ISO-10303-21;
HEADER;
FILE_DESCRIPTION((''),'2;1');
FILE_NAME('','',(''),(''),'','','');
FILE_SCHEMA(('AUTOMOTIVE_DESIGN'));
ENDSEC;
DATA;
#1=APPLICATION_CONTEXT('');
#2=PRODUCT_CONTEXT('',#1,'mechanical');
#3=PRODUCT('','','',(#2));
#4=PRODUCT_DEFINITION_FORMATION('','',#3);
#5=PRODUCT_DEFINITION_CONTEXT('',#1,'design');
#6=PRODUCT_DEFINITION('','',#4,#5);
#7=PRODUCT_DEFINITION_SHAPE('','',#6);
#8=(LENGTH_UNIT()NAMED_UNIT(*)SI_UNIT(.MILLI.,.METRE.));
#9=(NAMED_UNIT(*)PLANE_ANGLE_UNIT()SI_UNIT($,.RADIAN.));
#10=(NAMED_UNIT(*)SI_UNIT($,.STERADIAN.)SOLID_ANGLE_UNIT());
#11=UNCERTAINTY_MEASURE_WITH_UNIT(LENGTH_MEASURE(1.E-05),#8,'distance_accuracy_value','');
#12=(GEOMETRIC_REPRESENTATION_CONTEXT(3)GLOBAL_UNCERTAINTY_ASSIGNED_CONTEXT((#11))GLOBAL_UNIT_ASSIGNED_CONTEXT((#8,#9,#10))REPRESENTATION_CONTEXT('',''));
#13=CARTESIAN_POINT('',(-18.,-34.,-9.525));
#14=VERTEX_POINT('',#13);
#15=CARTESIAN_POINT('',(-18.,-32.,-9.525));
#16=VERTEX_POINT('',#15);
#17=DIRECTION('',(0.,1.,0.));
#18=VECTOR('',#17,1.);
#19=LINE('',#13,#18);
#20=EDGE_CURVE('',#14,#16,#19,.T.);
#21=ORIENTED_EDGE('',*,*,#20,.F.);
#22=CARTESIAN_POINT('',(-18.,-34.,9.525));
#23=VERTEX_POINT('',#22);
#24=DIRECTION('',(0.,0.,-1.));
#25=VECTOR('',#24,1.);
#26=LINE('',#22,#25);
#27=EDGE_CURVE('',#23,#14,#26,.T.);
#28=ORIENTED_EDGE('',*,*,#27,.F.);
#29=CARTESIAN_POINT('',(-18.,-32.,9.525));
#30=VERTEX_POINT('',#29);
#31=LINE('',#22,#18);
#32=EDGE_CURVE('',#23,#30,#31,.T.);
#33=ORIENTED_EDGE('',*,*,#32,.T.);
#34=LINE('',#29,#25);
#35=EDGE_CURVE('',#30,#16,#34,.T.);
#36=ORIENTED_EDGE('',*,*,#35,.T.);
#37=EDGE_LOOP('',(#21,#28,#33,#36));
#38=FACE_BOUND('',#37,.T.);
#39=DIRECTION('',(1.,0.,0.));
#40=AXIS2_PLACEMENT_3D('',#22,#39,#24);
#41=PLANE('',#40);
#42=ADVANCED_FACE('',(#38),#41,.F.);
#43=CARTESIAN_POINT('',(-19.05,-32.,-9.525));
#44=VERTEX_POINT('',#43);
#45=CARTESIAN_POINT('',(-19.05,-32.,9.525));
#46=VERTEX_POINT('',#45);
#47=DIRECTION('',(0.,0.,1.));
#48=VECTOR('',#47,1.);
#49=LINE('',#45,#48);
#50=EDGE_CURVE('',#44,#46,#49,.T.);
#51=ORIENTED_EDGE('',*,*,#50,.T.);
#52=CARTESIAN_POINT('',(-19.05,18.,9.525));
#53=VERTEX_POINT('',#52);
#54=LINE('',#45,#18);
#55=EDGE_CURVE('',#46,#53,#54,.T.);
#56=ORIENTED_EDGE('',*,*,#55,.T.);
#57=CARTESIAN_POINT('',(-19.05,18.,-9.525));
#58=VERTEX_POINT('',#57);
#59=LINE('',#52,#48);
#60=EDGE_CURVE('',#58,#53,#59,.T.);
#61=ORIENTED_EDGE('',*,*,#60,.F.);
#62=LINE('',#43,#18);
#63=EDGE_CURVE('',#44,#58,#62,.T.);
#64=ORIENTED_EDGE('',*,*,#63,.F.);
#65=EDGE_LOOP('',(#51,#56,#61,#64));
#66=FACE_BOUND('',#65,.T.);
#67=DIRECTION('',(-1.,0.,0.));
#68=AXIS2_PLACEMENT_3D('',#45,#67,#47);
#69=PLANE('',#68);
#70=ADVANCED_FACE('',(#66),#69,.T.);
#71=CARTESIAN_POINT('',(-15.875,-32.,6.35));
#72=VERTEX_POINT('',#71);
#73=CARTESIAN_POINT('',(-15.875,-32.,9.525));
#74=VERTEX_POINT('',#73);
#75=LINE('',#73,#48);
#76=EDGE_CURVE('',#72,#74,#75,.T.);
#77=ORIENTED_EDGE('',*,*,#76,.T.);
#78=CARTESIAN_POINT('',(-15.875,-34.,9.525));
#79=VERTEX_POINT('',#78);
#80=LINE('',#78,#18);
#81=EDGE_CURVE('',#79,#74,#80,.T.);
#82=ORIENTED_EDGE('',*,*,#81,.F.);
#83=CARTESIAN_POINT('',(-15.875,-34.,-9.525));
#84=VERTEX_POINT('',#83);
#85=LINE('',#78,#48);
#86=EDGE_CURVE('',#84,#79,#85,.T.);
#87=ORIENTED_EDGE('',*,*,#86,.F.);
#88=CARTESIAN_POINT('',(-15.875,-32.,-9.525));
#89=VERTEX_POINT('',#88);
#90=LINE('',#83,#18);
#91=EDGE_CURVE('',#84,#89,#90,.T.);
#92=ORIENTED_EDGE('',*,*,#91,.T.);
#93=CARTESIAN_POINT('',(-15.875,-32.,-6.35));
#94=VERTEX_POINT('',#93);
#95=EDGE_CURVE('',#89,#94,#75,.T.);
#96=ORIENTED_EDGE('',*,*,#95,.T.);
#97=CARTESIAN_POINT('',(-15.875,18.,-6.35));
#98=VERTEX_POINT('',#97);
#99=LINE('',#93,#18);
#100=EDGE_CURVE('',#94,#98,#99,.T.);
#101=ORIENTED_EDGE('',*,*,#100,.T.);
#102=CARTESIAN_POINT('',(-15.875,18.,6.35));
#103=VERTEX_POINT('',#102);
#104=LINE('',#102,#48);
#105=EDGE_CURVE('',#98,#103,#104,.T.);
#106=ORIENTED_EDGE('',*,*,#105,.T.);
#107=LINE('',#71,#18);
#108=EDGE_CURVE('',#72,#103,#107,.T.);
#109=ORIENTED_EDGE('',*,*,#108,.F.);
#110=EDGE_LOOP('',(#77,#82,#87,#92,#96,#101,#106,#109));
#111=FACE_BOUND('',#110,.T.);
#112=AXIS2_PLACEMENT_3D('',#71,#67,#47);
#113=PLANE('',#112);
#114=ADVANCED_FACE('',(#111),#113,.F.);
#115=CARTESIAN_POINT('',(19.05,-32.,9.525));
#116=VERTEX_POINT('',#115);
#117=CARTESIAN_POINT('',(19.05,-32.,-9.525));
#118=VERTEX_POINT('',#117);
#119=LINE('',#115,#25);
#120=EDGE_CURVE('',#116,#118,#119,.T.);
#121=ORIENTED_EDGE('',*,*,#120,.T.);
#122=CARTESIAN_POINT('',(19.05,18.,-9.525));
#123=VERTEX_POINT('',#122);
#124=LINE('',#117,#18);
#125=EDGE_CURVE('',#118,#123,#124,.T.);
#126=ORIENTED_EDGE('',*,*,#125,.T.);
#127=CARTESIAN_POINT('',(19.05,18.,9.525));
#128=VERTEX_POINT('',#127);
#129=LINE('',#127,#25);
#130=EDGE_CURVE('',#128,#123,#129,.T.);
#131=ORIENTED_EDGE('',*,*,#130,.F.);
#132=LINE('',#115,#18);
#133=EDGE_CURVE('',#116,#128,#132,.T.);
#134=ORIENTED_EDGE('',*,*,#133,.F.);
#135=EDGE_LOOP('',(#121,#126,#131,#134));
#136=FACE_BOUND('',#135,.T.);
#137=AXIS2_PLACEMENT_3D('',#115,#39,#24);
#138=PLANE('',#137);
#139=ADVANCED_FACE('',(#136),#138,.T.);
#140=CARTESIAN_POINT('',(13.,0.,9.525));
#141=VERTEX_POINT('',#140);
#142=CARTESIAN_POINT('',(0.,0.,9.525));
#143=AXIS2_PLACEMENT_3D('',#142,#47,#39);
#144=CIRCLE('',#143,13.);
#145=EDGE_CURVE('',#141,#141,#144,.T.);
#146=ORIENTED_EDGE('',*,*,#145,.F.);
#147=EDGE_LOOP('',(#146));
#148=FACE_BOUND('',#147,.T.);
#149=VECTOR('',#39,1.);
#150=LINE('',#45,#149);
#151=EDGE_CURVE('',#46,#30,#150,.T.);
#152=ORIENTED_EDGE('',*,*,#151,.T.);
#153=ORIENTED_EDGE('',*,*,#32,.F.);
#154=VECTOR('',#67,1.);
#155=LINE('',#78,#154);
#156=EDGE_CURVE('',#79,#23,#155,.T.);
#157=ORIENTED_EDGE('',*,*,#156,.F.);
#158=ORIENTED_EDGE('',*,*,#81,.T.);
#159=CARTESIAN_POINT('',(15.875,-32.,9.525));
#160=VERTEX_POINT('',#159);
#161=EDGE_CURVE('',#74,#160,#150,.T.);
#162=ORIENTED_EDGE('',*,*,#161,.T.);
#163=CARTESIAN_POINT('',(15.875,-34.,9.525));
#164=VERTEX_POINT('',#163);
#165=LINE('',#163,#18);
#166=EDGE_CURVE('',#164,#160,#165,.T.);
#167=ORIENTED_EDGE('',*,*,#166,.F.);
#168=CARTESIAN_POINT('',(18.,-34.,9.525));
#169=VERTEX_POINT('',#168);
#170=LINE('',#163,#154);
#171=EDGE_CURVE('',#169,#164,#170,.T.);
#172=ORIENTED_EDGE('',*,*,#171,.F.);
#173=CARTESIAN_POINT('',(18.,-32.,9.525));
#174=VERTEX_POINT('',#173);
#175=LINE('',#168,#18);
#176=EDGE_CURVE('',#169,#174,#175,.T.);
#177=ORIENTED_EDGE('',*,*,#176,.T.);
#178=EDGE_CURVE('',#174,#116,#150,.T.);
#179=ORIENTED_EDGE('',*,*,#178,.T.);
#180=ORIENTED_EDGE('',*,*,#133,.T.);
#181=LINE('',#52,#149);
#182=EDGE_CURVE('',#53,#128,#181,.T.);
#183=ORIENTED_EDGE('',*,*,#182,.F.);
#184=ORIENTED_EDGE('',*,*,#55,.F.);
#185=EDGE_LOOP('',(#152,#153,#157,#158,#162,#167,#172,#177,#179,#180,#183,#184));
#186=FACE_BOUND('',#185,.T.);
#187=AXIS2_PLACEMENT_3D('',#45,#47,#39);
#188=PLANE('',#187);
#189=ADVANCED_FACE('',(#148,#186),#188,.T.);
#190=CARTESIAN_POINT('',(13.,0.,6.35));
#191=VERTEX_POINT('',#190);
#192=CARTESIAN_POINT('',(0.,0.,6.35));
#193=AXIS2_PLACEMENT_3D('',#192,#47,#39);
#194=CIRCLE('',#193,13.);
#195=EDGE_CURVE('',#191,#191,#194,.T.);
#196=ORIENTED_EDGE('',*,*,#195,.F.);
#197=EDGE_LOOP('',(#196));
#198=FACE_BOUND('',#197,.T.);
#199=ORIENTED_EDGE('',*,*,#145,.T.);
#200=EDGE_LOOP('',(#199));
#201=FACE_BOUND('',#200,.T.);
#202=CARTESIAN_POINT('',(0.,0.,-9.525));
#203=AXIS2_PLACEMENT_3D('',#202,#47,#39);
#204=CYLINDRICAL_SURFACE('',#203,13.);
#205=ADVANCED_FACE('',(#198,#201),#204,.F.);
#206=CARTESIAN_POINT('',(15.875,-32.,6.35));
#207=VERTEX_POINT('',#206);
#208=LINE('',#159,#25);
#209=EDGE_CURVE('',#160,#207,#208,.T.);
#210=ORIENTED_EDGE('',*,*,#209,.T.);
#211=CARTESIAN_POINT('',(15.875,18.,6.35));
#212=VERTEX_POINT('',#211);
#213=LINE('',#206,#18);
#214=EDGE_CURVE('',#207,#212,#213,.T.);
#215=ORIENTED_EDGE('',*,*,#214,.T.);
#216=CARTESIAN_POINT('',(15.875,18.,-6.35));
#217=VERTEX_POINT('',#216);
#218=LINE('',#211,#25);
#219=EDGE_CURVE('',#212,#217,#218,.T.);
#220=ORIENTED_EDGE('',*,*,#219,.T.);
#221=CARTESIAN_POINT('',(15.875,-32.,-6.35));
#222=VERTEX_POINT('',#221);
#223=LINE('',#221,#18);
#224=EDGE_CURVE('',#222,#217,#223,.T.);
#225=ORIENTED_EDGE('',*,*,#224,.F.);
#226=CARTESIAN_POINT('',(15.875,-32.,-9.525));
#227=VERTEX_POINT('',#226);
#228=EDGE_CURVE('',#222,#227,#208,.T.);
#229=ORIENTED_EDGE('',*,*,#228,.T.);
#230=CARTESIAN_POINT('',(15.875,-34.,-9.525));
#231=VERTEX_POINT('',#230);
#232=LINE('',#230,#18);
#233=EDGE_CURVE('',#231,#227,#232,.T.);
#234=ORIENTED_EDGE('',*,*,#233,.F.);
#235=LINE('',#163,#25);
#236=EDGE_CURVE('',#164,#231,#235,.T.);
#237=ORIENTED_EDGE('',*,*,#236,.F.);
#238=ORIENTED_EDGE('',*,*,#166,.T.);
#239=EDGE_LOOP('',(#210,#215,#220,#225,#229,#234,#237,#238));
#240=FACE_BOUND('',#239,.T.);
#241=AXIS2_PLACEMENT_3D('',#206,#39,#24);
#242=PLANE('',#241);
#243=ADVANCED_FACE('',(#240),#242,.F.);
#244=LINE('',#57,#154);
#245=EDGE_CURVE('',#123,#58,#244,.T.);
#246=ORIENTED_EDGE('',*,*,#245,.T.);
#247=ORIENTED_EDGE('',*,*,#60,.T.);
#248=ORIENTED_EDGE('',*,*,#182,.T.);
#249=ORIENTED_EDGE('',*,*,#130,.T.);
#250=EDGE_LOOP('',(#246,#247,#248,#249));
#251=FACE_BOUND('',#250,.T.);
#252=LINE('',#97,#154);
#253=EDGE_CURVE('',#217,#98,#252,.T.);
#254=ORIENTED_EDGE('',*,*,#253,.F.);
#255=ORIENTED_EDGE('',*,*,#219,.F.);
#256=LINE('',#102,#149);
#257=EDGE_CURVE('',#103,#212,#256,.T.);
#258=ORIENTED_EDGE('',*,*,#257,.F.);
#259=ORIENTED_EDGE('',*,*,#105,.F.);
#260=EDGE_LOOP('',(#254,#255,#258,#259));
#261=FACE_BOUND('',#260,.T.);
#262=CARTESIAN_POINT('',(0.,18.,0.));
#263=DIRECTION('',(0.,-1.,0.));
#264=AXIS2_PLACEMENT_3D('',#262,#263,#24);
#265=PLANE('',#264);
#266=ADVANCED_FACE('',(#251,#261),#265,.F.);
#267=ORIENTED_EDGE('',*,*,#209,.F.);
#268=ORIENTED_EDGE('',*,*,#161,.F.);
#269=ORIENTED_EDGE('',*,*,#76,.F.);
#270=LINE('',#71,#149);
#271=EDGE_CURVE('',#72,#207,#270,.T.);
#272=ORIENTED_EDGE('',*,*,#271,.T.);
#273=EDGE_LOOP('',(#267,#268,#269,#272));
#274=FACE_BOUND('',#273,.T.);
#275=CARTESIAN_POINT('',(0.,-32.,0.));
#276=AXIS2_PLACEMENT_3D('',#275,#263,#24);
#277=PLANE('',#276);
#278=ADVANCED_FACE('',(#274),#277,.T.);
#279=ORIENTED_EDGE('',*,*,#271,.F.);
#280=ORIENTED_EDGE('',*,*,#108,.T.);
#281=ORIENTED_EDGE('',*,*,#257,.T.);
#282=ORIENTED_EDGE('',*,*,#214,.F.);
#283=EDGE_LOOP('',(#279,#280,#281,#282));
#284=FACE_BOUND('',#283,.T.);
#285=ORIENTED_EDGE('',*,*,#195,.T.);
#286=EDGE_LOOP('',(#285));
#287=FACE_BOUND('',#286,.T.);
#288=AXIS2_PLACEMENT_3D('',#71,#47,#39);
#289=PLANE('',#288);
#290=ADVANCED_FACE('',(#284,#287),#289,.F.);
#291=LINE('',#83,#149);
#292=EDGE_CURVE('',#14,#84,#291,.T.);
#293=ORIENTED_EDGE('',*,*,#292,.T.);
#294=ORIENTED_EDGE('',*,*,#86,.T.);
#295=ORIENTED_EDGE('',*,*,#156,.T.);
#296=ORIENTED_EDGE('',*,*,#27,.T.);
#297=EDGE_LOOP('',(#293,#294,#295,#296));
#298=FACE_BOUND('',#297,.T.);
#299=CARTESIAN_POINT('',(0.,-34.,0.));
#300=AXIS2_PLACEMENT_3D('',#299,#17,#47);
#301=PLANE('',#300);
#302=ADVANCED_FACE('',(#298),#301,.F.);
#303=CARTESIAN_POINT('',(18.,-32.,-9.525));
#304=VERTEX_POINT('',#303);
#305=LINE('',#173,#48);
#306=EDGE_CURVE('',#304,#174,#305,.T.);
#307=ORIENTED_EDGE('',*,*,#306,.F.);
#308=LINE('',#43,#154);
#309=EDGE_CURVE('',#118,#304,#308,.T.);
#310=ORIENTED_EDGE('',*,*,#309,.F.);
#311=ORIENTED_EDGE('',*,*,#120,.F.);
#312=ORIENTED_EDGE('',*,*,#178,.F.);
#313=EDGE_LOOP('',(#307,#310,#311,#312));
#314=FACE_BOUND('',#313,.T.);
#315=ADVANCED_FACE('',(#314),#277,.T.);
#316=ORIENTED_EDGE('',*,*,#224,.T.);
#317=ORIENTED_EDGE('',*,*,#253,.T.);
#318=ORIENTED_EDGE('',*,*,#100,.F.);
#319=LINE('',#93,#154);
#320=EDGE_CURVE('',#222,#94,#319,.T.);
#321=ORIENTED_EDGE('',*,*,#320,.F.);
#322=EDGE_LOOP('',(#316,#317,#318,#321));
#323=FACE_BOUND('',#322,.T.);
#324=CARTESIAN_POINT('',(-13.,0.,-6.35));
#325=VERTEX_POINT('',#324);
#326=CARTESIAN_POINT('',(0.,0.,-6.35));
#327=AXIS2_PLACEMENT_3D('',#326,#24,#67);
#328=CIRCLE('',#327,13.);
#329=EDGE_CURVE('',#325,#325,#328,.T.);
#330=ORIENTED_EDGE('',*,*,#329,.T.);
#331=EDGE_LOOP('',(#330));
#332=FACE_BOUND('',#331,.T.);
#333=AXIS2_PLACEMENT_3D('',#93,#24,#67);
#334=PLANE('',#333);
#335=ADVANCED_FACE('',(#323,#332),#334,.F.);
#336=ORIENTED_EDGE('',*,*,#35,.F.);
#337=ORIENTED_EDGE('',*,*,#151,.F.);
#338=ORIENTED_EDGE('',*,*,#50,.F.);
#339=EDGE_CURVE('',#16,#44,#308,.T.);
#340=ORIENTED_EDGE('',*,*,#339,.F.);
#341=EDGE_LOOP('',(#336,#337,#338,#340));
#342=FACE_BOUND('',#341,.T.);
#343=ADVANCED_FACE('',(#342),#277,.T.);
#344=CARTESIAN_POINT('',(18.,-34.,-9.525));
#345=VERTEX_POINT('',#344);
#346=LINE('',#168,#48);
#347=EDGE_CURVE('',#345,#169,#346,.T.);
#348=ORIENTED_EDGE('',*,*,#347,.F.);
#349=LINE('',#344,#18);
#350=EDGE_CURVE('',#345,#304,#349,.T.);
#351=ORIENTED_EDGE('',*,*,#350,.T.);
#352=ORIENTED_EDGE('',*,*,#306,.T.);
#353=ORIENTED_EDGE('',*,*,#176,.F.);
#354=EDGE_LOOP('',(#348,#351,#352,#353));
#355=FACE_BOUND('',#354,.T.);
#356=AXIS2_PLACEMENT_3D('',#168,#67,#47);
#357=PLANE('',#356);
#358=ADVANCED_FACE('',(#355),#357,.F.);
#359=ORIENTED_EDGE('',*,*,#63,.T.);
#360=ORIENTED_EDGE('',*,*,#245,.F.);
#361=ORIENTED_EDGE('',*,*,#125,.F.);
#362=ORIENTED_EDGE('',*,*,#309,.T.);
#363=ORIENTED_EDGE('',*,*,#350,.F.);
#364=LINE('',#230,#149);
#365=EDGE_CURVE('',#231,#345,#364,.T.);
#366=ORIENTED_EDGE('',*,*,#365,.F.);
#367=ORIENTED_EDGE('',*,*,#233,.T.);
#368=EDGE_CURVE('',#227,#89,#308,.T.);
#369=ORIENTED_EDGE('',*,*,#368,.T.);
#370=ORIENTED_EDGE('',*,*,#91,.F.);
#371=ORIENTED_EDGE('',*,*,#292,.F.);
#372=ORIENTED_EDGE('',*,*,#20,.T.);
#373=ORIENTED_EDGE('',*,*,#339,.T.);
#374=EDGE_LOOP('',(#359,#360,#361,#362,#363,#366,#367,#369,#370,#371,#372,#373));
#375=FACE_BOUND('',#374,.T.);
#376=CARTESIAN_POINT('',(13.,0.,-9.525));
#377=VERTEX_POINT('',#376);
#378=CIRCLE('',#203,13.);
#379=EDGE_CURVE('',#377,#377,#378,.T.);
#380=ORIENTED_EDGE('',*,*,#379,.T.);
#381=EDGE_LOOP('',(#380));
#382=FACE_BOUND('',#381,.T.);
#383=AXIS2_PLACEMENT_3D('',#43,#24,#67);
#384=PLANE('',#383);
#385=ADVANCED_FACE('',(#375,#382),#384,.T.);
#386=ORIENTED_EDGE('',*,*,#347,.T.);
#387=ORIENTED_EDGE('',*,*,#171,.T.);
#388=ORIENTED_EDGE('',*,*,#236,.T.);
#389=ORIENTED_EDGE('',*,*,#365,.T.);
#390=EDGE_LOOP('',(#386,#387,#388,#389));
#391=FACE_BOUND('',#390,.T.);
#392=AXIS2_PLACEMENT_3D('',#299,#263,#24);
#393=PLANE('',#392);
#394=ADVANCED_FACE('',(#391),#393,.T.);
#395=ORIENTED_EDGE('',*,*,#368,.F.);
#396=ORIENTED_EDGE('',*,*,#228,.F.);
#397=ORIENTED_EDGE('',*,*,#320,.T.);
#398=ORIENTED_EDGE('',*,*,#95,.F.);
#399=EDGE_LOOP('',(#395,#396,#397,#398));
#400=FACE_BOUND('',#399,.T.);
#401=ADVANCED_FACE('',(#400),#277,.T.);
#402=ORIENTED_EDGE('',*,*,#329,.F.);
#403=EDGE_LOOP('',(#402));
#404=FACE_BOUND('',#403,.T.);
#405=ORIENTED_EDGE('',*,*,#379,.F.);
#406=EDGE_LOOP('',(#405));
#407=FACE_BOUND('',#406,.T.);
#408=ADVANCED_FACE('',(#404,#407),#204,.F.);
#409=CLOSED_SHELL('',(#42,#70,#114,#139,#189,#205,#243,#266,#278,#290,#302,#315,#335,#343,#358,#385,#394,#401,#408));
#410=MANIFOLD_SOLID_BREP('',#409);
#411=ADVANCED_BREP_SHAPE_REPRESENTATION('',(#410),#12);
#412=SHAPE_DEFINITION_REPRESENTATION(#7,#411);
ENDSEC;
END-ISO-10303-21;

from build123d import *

# Parameters (mm, degrees)
SKETCH2_W                = 38.1
SKETCH2_H                = 19.05
SKETCH2_W_2              = 31.75
SKETCH2_H_2              = 12.7
BOSS_EXTRUDE1_DEPTH      = 18
BOSS_EXTRUDE1_DEPTH_BACK = 32
SKETCH3_R                = 13
CUT_EXTRUDE1_DEPTH       = 20.05
SKETCH5_W                = 2.125
SKETCH5_H                = 19.05
BOSS_EXTRUDE2_DEPTH      = 2


with BuildPart() as part:
    # Sketch2 → Boss-Extrude1 (new body, two sides)
    with BuildSketch(Plane(origin=(0, 0, 0), x_dir=(1, 0, 0), z_dir=(0, 1, 0))) as boss_extrude1_sk:
        Rectangle(SKETCH2_W, SKETCH2_H)
        Rectangle(SKETCH2_W_2, SKETCH2_H_2, mode=Mode.SUBTRACT)
    extrude(amount=BOSS_EXTRUDE1_DEPTH)
    extrude(boss_extrude1_sk.sketch, amount=-BOSS_EXTRUDE1_DEPTH_BACK)

    # Sketch3 → Cut-Extrude1 (cut, through all)
    with BuildSketch(Plane.XY.offset(9.525)):
        Circle(SKETCH3_R)
    extrude(amount=-CUT_EXTRUDE1_DEPTH, mode=Mode.SUBTRACT)

    # Sketch5 → Boss-Extrude2 (add)
    with BuildSketch(Plane.XZ.offset(32)):
        with Locations((-16.9375, 0)):
            Rectangle(SKETCH5_W, SKETCH5_H)
        with Locations((16.9375, 0)):
            Rectangle(SKETCH5_W, SKETCH5_H)
    extrude(amount=BOSS_EXTRUDE2_DEPTH)


solid = part.part
